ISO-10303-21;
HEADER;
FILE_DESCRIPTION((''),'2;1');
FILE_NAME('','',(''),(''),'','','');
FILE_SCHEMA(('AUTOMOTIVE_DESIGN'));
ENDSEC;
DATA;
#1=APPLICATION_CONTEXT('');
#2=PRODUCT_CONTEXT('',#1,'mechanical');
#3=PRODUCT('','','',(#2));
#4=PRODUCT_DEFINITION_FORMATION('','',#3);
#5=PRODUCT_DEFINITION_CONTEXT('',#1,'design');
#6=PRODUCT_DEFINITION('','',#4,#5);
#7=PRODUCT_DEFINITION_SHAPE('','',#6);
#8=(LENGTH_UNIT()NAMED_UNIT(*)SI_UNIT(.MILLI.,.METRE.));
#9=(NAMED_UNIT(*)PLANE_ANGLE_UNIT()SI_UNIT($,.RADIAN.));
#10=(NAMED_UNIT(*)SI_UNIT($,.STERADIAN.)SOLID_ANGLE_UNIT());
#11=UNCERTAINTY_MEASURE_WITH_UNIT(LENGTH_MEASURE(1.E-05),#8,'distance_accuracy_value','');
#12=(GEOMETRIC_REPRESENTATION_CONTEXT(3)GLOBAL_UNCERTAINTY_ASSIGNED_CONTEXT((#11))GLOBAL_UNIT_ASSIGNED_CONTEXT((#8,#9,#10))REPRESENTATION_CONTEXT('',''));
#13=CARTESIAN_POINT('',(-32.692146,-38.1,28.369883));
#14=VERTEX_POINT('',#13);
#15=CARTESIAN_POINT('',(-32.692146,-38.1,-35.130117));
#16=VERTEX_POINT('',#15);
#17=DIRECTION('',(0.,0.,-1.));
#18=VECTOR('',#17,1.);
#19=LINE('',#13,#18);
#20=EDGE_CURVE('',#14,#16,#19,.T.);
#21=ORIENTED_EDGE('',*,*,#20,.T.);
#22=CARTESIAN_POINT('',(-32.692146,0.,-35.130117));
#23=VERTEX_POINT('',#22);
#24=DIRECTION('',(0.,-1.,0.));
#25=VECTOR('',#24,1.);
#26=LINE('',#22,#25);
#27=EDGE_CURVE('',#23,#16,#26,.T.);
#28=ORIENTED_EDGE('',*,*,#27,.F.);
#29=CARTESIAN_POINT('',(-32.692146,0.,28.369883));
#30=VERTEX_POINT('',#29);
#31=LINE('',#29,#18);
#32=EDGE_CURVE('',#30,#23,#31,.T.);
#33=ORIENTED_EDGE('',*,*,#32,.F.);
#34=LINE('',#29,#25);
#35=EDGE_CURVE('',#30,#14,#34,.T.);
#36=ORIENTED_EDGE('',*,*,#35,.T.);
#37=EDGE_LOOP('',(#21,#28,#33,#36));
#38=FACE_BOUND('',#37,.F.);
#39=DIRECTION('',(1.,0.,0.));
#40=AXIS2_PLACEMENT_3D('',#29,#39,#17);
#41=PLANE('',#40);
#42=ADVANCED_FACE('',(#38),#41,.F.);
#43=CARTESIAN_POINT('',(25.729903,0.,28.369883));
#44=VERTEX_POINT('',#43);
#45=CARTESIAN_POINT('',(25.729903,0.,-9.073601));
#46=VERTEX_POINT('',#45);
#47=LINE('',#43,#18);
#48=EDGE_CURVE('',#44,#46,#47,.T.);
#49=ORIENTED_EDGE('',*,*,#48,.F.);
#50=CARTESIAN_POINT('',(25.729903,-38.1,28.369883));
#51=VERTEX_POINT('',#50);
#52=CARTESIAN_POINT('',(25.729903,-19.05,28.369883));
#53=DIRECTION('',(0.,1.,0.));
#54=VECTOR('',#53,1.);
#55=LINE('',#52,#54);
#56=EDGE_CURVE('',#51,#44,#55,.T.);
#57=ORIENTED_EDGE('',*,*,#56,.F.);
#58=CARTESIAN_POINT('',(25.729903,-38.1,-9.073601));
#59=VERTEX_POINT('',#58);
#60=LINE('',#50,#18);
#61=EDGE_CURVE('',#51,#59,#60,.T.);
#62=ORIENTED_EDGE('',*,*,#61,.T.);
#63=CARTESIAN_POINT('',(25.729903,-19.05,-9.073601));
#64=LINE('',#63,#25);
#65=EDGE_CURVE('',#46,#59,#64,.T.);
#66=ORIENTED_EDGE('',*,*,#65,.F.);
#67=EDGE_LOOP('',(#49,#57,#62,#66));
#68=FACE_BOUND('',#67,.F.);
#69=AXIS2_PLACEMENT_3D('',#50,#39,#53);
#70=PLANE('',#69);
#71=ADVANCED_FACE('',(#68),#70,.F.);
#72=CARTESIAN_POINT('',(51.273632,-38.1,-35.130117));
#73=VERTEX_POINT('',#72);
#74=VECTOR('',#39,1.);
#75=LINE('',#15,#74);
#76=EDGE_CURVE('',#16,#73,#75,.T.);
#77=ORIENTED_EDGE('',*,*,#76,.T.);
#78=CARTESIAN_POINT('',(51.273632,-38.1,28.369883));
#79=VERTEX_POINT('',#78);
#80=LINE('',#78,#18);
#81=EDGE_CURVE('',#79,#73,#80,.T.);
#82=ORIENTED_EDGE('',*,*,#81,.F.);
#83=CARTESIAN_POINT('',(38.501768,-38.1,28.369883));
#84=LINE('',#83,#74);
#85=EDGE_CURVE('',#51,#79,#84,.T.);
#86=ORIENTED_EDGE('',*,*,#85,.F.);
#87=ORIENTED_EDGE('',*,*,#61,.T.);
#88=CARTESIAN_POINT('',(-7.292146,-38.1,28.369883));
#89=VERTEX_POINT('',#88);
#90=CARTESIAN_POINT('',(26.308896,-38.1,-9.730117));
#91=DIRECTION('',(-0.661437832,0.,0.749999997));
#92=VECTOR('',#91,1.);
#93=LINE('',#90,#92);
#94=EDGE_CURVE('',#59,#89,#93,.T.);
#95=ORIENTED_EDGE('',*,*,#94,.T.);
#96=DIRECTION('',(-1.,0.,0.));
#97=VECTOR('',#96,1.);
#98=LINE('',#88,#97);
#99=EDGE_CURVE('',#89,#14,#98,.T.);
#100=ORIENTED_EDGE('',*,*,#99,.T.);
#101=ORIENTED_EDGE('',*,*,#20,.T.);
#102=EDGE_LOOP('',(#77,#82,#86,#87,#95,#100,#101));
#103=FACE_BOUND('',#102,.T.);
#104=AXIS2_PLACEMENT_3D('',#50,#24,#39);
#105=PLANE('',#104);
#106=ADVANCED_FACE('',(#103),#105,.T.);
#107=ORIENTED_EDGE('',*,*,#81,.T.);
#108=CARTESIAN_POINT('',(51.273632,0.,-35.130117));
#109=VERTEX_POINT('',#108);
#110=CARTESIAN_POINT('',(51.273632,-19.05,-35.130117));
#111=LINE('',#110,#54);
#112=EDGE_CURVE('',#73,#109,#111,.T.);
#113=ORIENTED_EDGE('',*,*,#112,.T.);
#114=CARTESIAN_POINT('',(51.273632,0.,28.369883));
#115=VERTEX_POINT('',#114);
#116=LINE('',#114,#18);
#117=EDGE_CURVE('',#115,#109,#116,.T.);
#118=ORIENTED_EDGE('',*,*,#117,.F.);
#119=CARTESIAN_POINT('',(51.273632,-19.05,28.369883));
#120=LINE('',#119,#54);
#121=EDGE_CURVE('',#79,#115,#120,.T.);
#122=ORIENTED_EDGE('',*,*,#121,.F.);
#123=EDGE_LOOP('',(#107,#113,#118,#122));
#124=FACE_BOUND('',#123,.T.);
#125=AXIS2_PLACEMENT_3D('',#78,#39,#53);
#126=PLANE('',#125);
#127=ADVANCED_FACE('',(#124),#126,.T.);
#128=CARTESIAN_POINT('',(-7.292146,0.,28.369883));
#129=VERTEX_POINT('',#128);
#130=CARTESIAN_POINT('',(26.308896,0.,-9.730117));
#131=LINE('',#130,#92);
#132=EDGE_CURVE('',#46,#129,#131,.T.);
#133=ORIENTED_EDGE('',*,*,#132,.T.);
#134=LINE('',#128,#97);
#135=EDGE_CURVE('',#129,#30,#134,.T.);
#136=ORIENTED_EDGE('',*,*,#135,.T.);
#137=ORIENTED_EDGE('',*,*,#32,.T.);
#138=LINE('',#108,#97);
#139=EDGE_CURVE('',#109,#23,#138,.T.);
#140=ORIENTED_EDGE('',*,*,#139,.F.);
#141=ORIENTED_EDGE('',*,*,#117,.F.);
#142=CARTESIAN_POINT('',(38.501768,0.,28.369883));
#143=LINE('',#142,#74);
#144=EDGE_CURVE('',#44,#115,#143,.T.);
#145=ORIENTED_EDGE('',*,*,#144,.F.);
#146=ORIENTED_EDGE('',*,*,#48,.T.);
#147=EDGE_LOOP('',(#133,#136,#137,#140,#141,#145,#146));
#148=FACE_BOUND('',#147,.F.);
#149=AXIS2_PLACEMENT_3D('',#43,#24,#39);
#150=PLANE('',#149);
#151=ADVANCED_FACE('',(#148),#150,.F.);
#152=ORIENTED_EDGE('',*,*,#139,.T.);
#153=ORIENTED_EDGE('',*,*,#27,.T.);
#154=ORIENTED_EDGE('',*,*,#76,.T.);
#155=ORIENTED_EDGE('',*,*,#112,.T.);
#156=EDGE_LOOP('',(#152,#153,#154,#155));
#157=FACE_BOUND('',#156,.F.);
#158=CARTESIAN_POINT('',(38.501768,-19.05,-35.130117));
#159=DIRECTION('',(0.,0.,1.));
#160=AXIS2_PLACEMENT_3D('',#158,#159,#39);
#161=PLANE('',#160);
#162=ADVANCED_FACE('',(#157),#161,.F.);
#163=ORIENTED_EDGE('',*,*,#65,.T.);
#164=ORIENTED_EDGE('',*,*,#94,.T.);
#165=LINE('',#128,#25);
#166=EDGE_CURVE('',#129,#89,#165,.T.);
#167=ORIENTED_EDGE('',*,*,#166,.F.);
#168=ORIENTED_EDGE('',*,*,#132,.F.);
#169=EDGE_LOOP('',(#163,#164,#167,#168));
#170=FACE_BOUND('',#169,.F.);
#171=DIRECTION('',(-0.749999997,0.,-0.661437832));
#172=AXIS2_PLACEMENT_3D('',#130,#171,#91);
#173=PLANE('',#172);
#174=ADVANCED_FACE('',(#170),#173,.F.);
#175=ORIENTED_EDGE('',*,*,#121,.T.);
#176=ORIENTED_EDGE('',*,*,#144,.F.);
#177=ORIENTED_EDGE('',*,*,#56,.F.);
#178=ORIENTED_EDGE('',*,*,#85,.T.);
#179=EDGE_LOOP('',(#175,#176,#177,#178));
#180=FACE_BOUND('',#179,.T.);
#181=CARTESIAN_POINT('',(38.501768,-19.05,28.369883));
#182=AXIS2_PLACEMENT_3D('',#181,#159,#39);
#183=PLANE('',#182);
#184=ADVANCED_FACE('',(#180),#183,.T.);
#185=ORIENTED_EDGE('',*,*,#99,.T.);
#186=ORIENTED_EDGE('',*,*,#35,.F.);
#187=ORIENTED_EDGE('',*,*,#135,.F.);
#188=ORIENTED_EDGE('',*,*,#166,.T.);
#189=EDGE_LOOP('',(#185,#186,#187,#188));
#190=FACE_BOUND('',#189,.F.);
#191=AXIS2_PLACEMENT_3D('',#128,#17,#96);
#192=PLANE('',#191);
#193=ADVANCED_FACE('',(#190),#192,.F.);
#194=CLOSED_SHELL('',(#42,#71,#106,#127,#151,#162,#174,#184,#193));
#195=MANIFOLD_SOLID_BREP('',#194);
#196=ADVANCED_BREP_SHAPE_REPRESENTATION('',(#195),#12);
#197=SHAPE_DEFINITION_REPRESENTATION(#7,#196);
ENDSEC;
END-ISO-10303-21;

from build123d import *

# Parameters (mm, degrees)
F1_DEPTH = 38.1
F2_W     = 25.543729
F2_H     = 38.1
F3_DEPTH = 63.5


with BuildPart() as f1:
    # F0 (on Front) → F1 (new body)
    with BuildSketch(Plane.XZ):
        Polygon((-32.692146, 28.369883), (-32.692146, -35.130117), (26.308896, -35.130117), (26.308896, -9.730117), (-7.292146, 28.369883), align=None)
    extrude(amount=F1_DEPTH)

    # F2 (on face) → F3 (join)
    with BuildSketch(Plane.XY.offset(28.369883)):
        with Locations((38.501768, -19.05)):
            Rectangle(F2_W, F2_H)
    extrude(amount=-F3_DEPTH)


solid = f1.part
